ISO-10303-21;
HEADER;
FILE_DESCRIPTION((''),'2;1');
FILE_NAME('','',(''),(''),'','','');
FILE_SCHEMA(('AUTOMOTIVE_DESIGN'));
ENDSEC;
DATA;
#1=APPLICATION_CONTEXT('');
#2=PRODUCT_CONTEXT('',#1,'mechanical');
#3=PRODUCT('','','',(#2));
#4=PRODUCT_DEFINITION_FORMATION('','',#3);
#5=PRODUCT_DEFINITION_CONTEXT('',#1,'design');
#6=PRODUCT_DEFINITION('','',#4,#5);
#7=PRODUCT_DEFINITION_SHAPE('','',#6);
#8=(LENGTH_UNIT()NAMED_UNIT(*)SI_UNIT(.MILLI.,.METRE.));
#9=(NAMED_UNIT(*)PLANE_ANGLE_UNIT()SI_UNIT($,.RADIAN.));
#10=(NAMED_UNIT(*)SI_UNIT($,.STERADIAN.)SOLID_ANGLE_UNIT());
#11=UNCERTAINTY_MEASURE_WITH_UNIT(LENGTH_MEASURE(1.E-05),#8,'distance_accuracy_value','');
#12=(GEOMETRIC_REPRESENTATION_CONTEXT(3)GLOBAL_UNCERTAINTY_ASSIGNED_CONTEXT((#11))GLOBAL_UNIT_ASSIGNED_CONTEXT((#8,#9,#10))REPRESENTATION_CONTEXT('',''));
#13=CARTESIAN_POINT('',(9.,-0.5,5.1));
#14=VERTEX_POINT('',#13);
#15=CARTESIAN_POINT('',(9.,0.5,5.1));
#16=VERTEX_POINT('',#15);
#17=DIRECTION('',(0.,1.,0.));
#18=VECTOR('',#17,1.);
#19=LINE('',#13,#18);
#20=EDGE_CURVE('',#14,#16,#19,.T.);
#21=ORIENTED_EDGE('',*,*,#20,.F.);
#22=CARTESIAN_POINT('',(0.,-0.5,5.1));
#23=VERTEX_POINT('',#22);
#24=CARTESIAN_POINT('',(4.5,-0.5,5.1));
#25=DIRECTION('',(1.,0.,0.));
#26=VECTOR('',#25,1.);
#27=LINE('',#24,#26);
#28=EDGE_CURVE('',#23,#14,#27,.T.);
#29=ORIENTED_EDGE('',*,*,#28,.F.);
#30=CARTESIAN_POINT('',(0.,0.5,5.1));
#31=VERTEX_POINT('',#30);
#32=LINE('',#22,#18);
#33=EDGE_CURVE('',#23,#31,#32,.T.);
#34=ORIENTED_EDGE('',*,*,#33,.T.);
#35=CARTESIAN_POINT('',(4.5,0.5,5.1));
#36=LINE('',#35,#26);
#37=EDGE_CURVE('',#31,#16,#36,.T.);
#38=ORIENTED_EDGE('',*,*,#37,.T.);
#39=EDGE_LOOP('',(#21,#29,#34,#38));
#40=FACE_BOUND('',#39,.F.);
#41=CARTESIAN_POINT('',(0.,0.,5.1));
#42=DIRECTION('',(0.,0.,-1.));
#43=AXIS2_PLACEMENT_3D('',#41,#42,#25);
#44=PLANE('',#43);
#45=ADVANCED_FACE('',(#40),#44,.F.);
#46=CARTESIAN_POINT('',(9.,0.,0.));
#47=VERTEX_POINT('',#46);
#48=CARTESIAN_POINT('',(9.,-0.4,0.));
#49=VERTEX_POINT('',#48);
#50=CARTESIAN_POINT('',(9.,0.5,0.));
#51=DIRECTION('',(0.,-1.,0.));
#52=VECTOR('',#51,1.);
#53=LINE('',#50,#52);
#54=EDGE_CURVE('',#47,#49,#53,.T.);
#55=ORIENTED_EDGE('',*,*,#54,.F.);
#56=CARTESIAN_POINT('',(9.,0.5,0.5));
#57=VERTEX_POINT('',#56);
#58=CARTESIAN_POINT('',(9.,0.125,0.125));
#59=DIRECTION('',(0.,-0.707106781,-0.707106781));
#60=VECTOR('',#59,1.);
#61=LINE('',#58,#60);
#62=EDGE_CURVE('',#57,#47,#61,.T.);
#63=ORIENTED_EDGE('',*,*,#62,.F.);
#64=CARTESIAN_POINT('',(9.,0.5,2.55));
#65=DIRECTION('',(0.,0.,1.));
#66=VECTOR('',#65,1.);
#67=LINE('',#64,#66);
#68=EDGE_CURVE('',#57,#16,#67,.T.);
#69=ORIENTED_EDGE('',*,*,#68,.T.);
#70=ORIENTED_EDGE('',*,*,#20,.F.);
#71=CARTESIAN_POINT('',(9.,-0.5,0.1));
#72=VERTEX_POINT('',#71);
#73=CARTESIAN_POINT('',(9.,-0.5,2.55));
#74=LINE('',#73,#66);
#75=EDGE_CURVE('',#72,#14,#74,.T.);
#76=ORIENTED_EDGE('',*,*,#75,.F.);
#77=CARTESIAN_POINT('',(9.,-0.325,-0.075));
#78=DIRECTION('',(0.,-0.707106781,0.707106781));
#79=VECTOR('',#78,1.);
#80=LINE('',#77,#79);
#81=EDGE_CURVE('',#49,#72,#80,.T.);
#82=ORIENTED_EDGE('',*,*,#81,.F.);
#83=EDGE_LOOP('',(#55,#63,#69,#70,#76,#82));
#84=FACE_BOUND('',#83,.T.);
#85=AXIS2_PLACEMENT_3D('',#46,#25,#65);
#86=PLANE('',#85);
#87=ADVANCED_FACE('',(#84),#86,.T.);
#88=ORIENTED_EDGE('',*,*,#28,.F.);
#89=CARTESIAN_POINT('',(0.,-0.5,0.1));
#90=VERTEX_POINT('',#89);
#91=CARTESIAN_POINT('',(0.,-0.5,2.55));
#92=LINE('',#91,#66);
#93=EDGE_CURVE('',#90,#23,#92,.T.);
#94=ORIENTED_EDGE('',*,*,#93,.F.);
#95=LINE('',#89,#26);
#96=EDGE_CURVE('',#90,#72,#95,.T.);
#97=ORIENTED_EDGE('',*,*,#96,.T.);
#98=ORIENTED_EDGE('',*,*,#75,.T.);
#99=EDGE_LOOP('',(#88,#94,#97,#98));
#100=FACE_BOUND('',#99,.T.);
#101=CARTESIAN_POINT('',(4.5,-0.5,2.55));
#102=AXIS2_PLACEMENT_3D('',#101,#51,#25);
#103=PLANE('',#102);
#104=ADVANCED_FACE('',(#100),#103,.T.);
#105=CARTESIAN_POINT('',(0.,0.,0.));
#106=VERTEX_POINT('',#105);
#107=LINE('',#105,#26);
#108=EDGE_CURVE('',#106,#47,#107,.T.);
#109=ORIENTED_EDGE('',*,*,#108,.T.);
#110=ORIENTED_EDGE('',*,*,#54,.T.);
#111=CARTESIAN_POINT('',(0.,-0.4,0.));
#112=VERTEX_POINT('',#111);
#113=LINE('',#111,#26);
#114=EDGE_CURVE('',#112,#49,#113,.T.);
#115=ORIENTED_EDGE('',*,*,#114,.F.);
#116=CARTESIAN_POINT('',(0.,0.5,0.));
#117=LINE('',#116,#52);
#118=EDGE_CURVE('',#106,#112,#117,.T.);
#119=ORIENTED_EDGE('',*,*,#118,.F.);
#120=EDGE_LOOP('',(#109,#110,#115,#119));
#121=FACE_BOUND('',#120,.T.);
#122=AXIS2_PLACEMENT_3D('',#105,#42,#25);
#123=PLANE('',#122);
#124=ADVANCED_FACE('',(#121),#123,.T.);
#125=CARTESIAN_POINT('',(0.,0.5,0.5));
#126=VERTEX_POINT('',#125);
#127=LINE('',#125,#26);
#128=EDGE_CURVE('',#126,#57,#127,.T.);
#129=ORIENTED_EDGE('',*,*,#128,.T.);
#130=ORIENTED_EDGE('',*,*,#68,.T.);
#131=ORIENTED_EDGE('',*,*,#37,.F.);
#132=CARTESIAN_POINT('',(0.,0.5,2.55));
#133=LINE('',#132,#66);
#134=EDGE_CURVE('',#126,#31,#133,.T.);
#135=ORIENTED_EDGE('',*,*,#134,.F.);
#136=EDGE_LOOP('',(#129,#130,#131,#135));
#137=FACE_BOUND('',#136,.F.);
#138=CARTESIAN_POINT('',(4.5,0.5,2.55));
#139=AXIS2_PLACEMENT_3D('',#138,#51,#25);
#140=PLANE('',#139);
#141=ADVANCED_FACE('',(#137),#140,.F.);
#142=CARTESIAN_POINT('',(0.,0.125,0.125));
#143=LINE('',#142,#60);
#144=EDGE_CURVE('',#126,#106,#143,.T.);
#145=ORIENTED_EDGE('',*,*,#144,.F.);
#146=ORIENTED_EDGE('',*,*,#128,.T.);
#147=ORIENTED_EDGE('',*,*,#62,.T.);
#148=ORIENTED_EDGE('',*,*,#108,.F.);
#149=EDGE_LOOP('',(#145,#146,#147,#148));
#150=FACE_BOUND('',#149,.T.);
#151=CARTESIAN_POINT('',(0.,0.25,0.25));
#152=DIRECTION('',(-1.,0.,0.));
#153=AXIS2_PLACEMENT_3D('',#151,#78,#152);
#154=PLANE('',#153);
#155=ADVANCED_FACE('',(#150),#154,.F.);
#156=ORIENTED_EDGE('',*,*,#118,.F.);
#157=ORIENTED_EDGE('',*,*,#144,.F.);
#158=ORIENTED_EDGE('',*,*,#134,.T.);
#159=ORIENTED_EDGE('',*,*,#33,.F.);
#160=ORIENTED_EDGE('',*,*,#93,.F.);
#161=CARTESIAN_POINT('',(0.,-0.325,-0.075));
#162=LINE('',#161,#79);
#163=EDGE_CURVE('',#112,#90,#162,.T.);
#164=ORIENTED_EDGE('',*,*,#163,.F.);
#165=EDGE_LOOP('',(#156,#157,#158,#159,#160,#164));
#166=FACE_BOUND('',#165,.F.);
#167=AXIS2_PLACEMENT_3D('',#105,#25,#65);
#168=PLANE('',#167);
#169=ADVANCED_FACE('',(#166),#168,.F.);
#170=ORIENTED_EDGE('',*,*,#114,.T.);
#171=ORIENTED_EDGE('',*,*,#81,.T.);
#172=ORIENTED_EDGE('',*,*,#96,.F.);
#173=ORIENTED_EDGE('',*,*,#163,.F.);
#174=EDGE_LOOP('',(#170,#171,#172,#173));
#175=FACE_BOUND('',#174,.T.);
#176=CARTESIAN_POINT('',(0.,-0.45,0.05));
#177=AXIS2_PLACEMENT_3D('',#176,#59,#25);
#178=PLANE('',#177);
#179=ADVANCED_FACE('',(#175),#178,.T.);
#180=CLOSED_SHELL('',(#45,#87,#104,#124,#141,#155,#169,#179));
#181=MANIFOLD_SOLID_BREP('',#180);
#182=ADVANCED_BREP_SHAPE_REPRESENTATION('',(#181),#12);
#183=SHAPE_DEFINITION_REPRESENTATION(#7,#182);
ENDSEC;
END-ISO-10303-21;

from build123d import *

# Parameters (mm, degrees)
F0_W     = 9
F0_H     = 5.1
F1_DEPTH = 0.5
F2_SIZE  = 0.5
F3_SIZE  = 0.1


with BuildPart() as f1:
    # F0 (on Front) → F1 (new body, symmetric)
    with BuildSketch(Plane.XZ):
        with Locations((4.5, 2.55)):
            Rectangle(F0_W, F0_H)
    extrude(amount=F1_DEPTH, both=True)

    # F2
    f2_edges = [f1.edges().sort_by_distance(p)[0] for p in [
        (4.5, 0.5, 0),
    ]]
    chamfer(f2_edges, length=F2_SIZE)

    # F3
    f3_edges = [f1.edges().sort_by_distance(p)[0] for p in [
        (4.5, -0.5, 0),
    ]]
    chamfer(f3_edges, length=F3_SIZE)


solid = f1.part
